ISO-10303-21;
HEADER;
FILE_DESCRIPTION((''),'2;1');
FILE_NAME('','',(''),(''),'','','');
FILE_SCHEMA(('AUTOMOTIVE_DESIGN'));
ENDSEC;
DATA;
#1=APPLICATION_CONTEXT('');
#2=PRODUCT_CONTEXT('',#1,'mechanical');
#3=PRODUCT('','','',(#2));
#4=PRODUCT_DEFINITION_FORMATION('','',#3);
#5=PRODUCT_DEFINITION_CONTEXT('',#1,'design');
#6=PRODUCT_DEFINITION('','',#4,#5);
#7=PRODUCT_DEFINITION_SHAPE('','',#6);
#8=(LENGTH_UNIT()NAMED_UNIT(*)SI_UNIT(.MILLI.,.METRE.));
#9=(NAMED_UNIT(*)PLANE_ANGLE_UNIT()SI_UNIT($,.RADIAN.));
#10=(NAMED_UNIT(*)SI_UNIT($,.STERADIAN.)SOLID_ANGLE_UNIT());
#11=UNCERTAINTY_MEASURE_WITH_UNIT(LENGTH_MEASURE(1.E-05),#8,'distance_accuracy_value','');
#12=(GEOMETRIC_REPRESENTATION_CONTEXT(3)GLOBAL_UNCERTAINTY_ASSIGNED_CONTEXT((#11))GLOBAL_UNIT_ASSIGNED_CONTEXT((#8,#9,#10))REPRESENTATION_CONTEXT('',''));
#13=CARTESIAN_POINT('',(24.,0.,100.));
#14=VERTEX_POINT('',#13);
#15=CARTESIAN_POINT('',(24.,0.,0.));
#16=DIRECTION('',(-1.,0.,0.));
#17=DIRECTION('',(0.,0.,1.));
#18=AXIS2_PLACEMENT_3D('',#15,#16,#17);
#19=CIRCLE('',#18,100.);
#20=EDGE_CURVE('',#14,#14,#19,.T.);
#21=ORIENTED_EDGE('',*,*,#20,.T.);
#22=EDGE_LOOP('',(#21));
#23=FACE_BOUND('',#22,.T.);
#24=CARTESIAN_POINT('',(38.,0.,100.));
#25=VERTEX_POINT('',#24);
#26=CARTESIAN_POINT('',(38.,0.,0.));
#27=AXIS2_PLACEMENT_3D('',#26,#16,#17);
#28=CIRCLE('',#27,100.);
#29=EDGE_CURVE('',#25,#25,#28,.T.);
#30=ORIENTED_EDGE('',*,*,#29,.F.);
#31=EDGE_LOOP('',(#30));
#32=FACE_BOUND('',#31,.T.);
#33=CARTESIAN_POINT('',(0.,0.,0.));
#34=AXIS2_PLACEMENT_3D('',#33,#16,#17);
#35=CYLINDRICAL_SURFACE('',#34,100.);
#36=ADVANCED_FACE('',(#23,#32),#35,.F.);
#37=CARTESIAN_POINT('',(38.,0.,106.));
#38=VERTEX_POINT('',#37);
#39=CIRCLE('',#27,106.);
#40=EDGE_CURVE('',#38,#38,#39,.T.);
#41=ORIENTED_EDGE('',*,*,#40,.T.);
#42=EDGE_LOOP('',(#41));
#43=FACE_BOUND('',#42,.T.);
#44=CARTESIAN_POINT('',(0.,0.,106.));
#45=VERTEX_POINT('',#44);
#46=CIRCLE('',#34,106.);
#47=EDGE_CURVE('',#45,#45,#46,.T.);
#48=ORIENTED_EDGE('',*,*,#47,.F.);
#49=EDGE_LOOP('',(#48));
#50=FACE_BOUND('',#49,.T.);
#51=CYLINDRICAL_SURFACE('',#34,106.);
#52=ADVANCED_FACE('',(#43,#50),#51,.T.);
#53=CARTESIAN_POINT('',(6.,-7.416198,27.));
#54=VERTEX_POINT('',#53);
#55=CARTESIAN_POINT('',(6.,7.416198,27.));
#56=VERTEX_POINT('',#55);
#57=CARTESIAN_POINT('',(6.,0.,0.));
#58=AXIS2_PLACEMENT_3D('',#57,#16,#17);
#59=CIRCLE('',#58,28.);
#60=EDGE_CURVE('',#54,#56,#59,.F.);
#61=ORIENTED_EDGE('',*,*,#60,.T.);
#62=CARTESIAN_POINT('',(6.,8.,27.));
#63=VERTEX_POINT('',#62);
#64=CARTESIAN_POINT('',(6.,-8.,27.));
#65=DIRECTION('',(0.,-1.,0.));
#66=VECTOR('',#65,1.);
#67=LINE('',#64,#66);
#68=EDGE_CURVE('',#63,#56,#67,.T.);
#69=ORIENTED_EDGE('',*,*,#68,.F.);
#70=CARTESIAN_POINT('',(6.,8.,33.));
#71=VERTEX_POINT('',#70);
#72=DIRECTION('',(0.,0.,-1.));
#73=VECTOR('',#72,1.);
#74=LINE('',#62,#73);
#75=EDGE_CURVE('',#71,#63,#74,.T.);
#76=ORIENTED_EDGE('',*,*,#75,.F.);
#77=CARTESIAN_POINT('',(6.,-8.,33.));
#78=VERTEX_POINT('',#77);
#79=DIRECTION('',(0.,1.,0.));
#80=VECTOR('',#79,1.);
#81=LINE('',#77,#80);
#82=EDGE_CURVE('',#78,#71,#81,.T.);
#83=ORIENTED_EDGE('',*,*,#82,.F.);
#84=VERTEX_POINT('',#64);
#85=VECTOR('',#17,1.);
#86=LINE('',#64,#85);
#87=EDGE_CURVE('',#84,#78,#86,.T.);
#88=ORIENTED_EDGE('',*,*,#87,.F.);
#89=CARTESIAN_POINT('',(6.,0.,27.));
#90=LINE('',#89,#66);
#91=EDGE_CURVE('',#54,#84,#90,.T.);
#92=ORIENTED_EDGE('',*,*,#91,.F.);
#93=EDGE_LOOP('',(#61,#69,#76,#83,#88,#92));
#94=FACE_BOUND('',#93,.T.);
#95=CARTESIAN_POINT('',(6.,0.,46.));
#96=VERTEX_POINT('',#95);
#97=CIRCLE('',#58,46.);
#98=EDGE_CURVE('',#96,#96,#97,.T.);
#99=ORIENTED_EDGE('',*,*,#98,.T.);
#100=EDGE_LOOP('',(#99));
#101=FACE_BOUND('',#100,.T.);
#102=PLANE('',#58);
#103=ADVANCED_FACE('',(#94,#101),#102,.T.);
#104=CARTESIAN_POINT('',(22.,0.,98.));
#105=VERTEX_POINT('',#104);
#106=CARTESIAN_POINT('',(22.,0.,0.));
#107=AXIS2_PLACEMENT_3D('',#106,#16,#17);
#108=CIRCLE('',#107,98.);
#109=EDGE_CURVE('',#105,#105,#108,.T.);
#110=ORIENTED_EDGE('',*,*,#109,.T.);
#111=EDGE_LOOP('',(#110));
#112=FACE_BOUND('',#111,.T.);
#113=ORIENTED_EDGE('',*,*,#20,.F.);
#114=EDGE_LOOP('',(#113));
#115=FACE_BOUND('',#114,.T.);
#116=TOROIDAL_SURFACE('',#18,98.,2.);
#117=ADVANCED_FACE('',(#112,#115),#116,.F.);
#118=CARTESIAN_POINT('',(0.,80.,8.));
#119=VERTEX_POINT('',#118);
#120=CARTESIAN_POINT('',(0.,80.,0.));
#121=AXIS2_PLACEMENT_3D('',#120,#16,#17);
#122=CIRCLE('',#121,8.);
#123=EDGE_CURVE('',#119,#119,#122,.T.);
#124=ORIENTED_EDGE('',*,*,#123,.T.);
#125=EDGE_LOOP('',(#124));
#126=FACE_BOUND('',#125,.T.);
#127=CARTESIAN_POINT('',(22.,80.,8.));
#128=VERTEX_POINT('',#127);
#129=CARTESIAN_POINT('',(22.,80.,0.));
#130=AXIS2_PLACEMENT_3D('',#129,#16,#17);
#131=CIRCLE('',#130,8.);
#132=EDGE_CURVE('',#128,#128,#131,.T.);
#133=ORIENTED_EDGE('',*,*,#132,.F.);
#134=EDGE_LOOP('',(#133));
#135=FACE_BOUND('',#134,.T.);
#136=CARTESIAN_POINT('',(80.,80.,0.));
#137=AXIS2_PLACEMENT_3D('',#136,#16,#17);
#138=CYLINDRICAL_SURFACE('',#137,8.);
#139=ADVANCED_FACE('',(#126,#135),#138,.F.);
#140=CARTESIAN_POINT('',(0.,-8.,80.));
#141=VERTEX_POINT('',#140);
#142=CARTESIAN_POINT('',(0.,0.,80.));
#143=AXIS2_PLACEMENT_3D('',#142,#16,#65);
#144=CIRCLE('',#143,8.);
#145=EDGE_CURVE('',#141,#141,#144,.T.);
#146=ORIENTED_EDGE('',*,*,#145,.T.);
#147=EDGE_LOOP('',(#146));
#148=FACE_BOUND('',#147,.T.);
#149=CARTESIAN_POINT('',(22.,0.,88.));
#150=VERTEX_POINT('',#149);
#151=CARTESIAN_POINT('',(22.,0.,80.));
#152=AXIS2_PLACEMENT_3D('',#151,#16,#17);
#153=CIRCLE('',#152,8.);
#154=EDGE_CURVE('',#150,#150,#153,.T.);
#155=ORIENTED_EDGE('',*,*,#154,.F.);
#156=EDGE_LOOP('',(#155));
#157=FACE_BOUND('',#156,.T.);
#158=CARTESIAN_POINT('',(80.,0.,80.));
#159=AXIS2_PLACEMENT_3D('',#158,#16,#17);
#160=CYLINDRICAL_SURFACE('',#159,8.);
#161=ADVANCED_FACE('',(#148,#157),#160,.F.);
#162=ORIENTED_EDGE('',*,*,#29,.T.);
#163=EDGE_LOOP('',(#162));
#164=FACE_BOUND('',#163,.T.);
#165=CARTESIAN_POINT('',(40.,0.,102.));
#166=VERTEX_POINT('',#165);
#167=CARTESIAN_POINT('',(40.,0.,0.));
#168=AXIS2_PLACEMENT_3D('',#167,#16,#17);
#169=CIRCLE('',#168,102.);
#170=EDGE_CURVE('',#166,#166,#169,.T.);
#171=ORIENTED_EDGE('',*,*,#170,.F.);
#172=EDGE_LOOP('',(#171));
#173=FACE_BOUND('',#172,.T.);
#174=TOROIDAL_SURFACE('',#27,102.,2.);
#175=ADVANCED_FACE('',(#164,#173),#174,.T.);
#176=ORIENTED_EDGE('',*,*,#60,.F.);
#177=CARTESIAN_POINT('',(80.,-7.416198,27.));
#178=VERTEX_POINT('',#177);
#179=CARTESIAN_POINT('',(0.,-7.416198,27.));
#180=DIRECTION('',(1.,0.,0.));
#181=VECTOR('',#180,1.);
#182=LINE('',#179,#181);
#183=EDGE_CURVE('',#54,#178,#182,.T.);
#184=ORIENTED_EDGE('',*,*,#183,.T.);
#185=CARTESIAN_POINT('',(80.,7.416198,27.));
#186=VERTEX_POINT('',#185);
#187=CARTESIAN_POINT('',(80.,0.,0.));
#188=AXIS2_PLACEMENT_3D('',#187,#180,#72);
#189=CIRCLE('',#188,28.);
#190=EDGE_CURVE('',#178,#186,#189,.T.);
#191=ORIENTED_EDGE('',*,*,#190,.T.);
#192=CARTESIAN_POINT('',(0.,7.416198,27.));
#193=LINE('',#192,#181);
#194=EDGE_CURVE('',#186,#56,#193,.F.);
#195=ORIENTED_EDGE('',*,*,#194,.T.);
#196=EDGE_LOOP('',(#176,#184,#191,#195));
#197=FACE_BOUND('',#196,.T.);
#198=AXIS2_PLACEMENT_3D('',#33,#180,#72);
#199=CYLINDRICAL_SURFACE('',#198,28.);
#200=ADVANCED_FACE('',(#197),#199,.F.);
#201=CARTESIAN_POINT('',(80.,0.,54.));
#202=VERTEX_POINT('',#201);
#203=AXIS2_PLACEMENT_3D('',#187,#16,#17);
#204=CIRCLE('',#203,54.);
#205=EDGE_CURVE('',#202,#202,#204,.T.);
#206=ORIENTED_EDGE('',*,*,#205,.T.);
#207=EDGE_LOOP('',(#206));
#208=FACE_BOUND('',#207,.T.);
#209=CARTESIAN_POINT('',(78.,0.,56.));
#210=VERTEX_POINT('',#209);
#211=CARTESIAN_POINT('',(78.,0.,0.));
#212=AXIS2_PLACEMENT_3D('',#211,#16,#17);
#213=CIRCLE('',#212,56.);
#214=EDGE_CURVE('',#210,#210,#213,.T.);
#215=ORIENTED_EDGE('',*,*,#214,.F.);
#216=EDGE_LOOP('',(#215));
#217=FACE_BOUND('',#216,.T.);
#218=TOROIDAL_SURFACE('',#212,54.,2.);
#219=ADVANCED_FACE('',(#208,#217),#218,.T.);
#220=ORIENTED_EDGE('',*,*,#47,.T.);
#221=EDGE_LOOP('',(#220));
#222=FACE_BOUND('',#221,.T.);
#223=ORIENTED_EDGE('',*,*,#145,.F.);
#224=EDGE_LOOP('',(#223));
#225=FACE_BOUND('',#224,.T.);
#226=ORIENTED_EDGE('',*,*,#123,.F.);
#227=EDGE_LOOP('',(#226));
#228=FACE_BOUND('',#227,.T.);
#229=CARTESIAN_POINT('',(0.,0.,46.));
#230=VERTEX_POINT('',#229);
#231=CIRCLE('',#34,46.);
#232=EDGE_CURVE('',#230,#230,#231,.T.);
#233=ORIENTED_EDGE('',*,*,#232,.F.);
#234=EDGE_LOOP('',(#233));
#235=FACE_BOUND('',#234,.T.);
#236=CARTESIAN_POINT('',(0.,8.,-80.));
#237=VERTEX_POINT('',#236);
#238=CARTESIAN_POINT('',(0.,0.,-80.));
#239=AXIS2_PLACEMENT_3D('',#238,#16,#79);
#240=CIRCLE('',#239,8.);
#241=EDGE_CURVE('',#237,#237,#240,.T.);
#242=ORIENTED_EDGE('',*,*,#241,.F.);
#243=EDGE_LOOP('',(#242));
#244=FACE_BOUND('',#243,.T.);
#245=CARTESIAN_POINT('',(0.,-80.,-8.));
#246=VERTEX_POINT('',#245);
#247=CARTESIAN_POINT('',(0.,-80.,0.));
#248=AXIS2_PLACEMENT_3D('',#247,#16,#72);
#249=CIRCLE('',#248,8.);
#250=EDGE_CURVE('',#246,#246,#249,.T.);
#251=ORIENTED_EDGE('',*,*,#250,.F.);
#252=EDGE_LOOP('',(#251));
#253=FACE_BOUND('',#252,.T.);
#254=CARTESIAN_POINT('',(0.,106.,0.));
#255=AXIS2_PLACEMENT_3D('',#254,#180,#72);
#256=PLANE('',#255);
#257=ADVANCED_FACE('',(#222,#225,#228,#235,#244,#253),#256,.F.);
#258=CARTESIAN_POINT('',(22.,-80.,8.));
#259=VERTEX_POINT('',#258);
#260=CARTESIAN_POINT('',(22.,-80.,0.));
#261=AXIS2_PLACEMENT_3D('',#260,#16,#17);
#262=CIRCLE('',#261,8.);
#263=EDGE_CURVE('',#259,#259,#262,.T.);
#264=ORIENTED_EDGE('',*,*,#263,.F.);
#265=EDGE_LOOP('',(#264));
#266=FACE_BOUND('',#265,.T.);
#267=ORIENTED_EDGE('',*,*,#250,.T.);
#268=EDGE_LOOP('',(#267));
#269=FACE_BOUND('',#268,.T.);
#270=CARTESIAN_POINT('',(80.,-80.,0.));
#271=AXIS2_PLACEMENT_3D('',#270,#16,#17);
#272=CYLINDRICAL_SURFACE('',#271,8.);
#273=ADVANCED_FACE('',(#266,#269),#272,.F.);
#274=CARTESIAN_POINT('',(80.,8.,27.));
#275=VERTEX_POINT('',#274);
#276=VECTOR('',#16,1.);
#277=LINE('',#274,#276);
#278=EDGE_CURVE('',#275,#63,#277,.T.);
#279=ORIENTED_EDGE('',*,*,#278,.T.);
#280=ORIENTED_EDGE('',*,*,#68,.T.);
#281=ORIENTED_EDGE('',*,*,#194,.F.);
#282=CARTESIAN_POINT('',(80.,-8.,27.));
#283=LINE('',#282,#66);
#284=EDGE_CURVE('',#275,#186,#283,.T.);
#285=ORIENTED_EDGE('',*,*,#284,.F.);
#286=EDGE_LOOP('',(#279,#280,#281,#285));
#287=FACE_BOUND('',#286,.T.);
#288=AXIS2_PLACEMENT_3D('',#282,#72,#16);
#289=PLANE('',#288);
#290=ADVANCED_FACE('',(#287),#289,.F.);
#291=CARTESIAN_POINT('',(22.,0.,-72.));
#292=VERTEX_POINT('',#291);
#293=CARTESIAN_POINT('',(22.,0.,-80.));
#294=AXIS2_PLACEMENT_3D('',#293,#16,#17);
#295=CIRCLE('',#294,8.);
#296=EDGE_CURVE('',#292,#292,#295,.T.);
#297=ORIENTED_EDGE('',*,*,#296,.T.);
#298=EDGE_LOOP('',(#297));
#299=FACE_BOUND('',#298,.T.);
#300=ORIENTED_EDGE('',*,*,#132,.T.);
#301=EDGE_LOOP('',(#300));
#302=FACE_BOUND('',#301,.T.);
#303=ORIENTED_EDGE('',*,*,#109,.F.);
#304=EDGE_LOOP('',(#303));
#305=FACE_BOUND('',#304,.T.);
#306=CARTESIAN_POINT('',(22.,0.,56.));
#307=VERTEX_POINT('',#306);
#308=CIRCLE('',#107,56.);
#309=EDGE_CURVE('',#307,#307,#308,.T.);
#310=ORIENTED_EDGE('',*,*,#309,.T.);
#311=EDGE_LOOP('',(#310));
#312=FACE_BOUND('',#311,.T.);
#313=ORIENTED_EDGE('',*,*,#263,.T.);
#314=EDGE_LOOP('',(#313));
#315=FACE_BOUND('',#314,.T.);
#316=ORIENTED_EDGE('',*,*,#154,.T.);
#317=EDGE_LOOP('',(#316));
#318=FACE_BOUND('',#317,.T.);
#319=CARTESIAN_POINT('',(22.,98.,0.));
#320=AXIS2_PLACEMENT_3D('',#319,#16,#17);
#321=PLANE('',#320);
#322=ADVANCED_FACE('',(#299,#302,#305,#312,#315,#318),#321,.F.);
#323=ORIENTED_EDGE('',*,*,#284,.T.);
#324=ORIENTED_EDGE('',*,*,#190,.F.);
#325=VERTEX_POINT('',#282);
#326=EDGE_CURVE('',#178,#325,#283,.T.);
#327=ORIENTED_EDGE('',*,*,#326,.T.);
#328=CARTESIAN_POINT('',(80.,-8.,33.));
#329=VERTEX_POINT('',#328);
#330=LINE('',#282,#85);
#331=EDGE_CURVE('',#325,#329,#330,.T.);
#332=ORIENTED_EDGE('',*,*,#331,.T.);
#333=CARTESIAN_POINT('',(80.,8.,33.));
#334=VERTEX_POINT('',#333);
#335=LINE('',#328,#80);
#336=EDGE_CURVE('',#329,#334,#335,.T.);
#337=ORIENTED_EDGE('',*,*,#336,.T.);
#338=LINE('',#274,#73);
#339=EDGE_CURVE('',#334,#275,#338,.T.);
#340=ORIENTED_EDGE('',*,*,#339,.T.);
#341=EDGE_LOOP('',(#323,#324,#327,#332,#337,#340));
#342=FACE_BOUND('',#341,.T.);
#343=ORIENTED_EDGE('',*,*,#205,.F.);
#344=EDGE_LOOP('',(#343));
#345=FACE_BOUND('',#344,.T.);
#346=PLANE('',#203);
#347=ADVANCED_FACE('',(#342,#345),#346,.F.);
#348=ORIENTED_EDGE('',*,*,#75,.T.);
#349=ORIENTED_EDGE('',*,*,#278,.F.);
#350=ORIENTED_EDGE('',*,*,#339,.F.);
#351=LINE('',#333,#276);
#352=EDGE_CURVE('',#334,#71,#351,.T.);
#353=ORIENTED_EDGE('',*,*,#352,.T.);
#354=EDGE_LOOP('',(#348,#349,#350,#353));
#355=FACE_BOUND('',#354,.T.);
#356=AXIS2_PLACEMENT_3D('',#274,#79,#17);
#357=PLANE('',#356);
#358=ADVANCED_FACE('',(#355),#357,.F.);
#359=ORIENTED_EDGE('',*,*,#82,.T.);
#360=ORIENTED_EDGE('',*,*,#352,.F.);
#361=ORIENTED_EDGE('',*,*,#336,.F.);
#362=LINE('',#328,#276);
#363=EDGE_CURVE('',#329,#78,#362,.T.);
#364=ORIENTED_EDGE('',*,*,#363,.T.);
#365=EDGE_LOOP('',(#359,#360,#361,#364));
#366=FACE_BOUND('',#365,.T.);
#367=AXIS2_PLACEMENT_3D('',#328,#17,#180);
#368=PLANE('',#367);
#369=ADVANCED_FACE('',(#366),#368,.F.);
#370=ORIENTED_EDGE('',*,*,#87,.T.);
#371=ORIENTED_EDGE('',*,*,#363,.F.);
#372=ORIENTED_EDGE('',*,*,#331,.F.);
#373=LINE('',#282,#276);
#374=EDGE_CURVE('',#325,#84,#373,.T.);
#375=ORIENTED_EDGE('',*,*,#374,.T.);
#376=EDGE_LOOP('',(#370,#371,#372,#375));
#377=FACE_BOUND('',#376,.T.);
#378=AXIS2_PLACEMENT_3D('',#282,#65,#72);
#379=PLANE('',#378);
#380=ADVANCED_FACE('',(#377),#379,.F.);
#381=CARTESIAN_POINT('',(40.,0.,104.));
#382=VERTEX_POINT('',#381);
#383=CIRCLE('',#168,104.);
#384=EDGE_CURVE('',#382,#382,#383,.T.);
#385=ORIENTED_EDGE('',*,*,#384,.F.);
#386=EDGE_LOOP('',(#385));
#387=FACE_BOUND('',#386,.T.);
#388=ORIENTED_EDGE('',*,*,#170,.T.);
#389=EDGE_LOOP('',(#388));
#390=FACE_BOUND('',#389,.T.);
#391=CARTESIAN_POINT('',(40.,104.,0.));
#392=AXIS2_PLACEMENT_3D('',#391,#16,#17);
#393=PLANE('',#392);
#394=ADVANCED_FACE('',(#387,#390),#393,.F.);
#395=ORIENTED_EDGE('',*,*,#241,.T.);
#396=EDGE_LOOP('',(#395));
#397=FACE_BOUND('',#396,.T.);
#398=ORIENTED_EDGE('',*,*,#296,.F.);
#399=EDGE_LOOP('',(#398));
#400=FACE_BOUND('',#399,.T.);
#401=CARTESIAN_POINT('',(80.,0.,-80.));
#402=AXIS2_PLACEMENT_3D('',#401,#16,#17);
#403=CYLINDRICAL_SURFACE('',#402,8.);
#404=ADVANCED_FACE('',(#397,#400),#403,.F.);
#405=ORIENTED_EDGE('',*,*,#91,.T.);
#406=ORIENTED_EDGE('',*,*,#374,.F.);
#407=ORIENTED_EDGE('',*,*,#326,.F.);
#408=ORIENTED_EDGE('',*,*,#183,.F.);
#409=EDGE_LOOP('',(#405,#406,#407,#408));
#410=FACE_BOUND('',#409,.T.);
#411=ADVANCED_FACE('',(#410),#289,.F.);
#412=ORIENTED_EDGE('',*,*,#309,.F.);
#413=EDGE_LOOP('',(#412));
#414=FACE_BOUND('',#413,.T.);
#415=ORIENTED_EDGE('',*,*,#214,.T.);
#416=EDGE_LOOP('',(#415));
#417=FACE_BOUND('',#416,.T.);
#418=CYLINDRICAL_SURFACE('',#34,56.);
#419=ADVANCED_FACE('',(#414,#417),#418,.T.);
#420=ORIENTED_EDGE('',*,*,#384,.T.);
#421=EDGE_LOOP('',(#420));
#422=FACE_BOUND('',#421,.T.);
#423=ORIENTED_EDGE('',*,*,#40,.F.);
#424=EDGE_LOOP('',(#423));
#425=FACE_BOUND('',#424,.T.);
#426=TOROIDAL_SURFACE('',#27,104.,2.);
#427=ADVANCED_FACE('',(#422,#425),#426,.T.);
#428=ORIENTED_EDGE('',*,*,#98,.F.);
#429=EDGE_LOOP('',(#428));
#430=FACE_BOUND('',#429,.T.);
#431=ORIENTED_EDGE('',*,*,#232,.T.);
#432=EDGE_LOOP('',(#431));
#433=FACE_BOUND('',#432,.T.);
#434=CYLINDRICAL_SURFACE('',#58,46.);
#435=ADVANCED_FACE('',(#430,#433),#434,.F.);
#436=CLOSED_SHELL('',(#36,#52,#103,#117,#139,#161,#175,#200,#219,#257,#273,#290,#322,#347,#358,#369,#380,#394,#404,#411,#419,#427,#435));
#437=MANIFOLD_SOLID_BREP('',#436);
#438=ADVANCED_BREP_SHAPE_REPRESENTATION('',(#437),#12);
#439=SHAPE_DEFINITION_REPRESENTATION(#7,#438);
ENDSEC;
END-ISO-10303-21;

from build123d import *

# Parameters (mm, degrees)
SKETCH2_R          = 28
CUT_EXTRUDE1_DEPTH = 170.917627102
SKETCH3_R          = 46
CUT_EXTRUDE2_DEPTH = 6
SKETCH4_W          = 6
SKETCH4_H          = 16
CUT_EXTRUDE6_DEPTH = 168.176553424
SKETCH5_R          = 8
CUT_EXTRUDE7_DEPTH = 170.917627149
CIRPATTERN1_COUNT  = 4


with BuildPart() as part:
    # Sketch1 → Revolve1 (revolve)
    with BuildSketch(Plane.XY, mode=Mode.PRIVATE) as revolve1_sk:
        with BuildLine():
            Line((0, 0), (80, 0))
            Line((80, 0), (80, 54))
            ThreePointArc((80, 54), (79.414213562, 55.414213562), (78, 56))
            Line((78, 56), (28.292682927, 56))
            Line((28.292682927, 56), (22, 56))
            Line((22, 56), (22, 98))
            ThreePointArc((22, 98), (22.585786438, 99.414213562), (24, 100))
            Line((24, 100), (38, 100))
            ThreePointArc((38, 100), (39.414213562, 100.585786438), (40, 102))
            Line((40, 102), (40, 104))
            ThreePointArc((40, 104), (39.414213562, 105.414213562), (38, 106))
            Line((38, 106), (0, 106))
            Line((0, 106), (0, 0))
        make_face()
    revolve(revolve1_sk.sketch.rotate(Axis((0, 0, 0), (1, 0, 0)), 90), axis=Axis((0, 0, 0), (1, 0, 0)))

    # Sketch2 → Cut-Extrude1 (cut, through all)
    with BuildSketch(Plane(origin=(80, 0, 0), x_dir=(0, 0, -1), z_dir=(1, 0, 0))):
        Circle(SKETCH2_R)
    extrude(amount=-CUT_EXTRUDE1_DEPTH, mode=Mode.SUBTRACT)

    # Sketch3 → Cut-Extrude2 (cut)
    with BuildSketch(Plane.ZY):
        Circle(SKETCH3_R)
    extrude(amount=-CUT_EXTRUDE2_DEPTH, mode=Mode.SUBTRACT)

    # Sketch4 → Cut-Extrude6 (cut, through all)
    with BuildSketch(Plane.ZY.offset(-6)):
        with Locations((30, 0)):
            Rectangle(SKETCH4_W, SKETCH4_H)
    extrude(amount=-CUT_EXTRUDE6_DEPTH, mode=Mode.SUBTRACT)

    # Sketch5 → Cut-Extrude7 (cut, through all)
    with BuildSketch(Plane.ZY):
        with Locations((0, 80)):
            Circle(SKETCH5_R)
    cut_extrude7 = extrude(amount=-CUT_EXTRUDE7_DEPTH, mode=Mode.SUBTRACT)

    # CirPattern1: Cut-Extrude7 ×4 about axis
    cirpattern1_axis = Axis((0, 0, 0), (1, 0, 0))
    for i in range(1, CIRPATTERN1_COUNT):
        add(cut_extrude7.rotate(cirpattern1_axis, i * 360 / CIRPATTERN1_COUNT), mode=Mode.SUBTRACT)


solid = part.part
